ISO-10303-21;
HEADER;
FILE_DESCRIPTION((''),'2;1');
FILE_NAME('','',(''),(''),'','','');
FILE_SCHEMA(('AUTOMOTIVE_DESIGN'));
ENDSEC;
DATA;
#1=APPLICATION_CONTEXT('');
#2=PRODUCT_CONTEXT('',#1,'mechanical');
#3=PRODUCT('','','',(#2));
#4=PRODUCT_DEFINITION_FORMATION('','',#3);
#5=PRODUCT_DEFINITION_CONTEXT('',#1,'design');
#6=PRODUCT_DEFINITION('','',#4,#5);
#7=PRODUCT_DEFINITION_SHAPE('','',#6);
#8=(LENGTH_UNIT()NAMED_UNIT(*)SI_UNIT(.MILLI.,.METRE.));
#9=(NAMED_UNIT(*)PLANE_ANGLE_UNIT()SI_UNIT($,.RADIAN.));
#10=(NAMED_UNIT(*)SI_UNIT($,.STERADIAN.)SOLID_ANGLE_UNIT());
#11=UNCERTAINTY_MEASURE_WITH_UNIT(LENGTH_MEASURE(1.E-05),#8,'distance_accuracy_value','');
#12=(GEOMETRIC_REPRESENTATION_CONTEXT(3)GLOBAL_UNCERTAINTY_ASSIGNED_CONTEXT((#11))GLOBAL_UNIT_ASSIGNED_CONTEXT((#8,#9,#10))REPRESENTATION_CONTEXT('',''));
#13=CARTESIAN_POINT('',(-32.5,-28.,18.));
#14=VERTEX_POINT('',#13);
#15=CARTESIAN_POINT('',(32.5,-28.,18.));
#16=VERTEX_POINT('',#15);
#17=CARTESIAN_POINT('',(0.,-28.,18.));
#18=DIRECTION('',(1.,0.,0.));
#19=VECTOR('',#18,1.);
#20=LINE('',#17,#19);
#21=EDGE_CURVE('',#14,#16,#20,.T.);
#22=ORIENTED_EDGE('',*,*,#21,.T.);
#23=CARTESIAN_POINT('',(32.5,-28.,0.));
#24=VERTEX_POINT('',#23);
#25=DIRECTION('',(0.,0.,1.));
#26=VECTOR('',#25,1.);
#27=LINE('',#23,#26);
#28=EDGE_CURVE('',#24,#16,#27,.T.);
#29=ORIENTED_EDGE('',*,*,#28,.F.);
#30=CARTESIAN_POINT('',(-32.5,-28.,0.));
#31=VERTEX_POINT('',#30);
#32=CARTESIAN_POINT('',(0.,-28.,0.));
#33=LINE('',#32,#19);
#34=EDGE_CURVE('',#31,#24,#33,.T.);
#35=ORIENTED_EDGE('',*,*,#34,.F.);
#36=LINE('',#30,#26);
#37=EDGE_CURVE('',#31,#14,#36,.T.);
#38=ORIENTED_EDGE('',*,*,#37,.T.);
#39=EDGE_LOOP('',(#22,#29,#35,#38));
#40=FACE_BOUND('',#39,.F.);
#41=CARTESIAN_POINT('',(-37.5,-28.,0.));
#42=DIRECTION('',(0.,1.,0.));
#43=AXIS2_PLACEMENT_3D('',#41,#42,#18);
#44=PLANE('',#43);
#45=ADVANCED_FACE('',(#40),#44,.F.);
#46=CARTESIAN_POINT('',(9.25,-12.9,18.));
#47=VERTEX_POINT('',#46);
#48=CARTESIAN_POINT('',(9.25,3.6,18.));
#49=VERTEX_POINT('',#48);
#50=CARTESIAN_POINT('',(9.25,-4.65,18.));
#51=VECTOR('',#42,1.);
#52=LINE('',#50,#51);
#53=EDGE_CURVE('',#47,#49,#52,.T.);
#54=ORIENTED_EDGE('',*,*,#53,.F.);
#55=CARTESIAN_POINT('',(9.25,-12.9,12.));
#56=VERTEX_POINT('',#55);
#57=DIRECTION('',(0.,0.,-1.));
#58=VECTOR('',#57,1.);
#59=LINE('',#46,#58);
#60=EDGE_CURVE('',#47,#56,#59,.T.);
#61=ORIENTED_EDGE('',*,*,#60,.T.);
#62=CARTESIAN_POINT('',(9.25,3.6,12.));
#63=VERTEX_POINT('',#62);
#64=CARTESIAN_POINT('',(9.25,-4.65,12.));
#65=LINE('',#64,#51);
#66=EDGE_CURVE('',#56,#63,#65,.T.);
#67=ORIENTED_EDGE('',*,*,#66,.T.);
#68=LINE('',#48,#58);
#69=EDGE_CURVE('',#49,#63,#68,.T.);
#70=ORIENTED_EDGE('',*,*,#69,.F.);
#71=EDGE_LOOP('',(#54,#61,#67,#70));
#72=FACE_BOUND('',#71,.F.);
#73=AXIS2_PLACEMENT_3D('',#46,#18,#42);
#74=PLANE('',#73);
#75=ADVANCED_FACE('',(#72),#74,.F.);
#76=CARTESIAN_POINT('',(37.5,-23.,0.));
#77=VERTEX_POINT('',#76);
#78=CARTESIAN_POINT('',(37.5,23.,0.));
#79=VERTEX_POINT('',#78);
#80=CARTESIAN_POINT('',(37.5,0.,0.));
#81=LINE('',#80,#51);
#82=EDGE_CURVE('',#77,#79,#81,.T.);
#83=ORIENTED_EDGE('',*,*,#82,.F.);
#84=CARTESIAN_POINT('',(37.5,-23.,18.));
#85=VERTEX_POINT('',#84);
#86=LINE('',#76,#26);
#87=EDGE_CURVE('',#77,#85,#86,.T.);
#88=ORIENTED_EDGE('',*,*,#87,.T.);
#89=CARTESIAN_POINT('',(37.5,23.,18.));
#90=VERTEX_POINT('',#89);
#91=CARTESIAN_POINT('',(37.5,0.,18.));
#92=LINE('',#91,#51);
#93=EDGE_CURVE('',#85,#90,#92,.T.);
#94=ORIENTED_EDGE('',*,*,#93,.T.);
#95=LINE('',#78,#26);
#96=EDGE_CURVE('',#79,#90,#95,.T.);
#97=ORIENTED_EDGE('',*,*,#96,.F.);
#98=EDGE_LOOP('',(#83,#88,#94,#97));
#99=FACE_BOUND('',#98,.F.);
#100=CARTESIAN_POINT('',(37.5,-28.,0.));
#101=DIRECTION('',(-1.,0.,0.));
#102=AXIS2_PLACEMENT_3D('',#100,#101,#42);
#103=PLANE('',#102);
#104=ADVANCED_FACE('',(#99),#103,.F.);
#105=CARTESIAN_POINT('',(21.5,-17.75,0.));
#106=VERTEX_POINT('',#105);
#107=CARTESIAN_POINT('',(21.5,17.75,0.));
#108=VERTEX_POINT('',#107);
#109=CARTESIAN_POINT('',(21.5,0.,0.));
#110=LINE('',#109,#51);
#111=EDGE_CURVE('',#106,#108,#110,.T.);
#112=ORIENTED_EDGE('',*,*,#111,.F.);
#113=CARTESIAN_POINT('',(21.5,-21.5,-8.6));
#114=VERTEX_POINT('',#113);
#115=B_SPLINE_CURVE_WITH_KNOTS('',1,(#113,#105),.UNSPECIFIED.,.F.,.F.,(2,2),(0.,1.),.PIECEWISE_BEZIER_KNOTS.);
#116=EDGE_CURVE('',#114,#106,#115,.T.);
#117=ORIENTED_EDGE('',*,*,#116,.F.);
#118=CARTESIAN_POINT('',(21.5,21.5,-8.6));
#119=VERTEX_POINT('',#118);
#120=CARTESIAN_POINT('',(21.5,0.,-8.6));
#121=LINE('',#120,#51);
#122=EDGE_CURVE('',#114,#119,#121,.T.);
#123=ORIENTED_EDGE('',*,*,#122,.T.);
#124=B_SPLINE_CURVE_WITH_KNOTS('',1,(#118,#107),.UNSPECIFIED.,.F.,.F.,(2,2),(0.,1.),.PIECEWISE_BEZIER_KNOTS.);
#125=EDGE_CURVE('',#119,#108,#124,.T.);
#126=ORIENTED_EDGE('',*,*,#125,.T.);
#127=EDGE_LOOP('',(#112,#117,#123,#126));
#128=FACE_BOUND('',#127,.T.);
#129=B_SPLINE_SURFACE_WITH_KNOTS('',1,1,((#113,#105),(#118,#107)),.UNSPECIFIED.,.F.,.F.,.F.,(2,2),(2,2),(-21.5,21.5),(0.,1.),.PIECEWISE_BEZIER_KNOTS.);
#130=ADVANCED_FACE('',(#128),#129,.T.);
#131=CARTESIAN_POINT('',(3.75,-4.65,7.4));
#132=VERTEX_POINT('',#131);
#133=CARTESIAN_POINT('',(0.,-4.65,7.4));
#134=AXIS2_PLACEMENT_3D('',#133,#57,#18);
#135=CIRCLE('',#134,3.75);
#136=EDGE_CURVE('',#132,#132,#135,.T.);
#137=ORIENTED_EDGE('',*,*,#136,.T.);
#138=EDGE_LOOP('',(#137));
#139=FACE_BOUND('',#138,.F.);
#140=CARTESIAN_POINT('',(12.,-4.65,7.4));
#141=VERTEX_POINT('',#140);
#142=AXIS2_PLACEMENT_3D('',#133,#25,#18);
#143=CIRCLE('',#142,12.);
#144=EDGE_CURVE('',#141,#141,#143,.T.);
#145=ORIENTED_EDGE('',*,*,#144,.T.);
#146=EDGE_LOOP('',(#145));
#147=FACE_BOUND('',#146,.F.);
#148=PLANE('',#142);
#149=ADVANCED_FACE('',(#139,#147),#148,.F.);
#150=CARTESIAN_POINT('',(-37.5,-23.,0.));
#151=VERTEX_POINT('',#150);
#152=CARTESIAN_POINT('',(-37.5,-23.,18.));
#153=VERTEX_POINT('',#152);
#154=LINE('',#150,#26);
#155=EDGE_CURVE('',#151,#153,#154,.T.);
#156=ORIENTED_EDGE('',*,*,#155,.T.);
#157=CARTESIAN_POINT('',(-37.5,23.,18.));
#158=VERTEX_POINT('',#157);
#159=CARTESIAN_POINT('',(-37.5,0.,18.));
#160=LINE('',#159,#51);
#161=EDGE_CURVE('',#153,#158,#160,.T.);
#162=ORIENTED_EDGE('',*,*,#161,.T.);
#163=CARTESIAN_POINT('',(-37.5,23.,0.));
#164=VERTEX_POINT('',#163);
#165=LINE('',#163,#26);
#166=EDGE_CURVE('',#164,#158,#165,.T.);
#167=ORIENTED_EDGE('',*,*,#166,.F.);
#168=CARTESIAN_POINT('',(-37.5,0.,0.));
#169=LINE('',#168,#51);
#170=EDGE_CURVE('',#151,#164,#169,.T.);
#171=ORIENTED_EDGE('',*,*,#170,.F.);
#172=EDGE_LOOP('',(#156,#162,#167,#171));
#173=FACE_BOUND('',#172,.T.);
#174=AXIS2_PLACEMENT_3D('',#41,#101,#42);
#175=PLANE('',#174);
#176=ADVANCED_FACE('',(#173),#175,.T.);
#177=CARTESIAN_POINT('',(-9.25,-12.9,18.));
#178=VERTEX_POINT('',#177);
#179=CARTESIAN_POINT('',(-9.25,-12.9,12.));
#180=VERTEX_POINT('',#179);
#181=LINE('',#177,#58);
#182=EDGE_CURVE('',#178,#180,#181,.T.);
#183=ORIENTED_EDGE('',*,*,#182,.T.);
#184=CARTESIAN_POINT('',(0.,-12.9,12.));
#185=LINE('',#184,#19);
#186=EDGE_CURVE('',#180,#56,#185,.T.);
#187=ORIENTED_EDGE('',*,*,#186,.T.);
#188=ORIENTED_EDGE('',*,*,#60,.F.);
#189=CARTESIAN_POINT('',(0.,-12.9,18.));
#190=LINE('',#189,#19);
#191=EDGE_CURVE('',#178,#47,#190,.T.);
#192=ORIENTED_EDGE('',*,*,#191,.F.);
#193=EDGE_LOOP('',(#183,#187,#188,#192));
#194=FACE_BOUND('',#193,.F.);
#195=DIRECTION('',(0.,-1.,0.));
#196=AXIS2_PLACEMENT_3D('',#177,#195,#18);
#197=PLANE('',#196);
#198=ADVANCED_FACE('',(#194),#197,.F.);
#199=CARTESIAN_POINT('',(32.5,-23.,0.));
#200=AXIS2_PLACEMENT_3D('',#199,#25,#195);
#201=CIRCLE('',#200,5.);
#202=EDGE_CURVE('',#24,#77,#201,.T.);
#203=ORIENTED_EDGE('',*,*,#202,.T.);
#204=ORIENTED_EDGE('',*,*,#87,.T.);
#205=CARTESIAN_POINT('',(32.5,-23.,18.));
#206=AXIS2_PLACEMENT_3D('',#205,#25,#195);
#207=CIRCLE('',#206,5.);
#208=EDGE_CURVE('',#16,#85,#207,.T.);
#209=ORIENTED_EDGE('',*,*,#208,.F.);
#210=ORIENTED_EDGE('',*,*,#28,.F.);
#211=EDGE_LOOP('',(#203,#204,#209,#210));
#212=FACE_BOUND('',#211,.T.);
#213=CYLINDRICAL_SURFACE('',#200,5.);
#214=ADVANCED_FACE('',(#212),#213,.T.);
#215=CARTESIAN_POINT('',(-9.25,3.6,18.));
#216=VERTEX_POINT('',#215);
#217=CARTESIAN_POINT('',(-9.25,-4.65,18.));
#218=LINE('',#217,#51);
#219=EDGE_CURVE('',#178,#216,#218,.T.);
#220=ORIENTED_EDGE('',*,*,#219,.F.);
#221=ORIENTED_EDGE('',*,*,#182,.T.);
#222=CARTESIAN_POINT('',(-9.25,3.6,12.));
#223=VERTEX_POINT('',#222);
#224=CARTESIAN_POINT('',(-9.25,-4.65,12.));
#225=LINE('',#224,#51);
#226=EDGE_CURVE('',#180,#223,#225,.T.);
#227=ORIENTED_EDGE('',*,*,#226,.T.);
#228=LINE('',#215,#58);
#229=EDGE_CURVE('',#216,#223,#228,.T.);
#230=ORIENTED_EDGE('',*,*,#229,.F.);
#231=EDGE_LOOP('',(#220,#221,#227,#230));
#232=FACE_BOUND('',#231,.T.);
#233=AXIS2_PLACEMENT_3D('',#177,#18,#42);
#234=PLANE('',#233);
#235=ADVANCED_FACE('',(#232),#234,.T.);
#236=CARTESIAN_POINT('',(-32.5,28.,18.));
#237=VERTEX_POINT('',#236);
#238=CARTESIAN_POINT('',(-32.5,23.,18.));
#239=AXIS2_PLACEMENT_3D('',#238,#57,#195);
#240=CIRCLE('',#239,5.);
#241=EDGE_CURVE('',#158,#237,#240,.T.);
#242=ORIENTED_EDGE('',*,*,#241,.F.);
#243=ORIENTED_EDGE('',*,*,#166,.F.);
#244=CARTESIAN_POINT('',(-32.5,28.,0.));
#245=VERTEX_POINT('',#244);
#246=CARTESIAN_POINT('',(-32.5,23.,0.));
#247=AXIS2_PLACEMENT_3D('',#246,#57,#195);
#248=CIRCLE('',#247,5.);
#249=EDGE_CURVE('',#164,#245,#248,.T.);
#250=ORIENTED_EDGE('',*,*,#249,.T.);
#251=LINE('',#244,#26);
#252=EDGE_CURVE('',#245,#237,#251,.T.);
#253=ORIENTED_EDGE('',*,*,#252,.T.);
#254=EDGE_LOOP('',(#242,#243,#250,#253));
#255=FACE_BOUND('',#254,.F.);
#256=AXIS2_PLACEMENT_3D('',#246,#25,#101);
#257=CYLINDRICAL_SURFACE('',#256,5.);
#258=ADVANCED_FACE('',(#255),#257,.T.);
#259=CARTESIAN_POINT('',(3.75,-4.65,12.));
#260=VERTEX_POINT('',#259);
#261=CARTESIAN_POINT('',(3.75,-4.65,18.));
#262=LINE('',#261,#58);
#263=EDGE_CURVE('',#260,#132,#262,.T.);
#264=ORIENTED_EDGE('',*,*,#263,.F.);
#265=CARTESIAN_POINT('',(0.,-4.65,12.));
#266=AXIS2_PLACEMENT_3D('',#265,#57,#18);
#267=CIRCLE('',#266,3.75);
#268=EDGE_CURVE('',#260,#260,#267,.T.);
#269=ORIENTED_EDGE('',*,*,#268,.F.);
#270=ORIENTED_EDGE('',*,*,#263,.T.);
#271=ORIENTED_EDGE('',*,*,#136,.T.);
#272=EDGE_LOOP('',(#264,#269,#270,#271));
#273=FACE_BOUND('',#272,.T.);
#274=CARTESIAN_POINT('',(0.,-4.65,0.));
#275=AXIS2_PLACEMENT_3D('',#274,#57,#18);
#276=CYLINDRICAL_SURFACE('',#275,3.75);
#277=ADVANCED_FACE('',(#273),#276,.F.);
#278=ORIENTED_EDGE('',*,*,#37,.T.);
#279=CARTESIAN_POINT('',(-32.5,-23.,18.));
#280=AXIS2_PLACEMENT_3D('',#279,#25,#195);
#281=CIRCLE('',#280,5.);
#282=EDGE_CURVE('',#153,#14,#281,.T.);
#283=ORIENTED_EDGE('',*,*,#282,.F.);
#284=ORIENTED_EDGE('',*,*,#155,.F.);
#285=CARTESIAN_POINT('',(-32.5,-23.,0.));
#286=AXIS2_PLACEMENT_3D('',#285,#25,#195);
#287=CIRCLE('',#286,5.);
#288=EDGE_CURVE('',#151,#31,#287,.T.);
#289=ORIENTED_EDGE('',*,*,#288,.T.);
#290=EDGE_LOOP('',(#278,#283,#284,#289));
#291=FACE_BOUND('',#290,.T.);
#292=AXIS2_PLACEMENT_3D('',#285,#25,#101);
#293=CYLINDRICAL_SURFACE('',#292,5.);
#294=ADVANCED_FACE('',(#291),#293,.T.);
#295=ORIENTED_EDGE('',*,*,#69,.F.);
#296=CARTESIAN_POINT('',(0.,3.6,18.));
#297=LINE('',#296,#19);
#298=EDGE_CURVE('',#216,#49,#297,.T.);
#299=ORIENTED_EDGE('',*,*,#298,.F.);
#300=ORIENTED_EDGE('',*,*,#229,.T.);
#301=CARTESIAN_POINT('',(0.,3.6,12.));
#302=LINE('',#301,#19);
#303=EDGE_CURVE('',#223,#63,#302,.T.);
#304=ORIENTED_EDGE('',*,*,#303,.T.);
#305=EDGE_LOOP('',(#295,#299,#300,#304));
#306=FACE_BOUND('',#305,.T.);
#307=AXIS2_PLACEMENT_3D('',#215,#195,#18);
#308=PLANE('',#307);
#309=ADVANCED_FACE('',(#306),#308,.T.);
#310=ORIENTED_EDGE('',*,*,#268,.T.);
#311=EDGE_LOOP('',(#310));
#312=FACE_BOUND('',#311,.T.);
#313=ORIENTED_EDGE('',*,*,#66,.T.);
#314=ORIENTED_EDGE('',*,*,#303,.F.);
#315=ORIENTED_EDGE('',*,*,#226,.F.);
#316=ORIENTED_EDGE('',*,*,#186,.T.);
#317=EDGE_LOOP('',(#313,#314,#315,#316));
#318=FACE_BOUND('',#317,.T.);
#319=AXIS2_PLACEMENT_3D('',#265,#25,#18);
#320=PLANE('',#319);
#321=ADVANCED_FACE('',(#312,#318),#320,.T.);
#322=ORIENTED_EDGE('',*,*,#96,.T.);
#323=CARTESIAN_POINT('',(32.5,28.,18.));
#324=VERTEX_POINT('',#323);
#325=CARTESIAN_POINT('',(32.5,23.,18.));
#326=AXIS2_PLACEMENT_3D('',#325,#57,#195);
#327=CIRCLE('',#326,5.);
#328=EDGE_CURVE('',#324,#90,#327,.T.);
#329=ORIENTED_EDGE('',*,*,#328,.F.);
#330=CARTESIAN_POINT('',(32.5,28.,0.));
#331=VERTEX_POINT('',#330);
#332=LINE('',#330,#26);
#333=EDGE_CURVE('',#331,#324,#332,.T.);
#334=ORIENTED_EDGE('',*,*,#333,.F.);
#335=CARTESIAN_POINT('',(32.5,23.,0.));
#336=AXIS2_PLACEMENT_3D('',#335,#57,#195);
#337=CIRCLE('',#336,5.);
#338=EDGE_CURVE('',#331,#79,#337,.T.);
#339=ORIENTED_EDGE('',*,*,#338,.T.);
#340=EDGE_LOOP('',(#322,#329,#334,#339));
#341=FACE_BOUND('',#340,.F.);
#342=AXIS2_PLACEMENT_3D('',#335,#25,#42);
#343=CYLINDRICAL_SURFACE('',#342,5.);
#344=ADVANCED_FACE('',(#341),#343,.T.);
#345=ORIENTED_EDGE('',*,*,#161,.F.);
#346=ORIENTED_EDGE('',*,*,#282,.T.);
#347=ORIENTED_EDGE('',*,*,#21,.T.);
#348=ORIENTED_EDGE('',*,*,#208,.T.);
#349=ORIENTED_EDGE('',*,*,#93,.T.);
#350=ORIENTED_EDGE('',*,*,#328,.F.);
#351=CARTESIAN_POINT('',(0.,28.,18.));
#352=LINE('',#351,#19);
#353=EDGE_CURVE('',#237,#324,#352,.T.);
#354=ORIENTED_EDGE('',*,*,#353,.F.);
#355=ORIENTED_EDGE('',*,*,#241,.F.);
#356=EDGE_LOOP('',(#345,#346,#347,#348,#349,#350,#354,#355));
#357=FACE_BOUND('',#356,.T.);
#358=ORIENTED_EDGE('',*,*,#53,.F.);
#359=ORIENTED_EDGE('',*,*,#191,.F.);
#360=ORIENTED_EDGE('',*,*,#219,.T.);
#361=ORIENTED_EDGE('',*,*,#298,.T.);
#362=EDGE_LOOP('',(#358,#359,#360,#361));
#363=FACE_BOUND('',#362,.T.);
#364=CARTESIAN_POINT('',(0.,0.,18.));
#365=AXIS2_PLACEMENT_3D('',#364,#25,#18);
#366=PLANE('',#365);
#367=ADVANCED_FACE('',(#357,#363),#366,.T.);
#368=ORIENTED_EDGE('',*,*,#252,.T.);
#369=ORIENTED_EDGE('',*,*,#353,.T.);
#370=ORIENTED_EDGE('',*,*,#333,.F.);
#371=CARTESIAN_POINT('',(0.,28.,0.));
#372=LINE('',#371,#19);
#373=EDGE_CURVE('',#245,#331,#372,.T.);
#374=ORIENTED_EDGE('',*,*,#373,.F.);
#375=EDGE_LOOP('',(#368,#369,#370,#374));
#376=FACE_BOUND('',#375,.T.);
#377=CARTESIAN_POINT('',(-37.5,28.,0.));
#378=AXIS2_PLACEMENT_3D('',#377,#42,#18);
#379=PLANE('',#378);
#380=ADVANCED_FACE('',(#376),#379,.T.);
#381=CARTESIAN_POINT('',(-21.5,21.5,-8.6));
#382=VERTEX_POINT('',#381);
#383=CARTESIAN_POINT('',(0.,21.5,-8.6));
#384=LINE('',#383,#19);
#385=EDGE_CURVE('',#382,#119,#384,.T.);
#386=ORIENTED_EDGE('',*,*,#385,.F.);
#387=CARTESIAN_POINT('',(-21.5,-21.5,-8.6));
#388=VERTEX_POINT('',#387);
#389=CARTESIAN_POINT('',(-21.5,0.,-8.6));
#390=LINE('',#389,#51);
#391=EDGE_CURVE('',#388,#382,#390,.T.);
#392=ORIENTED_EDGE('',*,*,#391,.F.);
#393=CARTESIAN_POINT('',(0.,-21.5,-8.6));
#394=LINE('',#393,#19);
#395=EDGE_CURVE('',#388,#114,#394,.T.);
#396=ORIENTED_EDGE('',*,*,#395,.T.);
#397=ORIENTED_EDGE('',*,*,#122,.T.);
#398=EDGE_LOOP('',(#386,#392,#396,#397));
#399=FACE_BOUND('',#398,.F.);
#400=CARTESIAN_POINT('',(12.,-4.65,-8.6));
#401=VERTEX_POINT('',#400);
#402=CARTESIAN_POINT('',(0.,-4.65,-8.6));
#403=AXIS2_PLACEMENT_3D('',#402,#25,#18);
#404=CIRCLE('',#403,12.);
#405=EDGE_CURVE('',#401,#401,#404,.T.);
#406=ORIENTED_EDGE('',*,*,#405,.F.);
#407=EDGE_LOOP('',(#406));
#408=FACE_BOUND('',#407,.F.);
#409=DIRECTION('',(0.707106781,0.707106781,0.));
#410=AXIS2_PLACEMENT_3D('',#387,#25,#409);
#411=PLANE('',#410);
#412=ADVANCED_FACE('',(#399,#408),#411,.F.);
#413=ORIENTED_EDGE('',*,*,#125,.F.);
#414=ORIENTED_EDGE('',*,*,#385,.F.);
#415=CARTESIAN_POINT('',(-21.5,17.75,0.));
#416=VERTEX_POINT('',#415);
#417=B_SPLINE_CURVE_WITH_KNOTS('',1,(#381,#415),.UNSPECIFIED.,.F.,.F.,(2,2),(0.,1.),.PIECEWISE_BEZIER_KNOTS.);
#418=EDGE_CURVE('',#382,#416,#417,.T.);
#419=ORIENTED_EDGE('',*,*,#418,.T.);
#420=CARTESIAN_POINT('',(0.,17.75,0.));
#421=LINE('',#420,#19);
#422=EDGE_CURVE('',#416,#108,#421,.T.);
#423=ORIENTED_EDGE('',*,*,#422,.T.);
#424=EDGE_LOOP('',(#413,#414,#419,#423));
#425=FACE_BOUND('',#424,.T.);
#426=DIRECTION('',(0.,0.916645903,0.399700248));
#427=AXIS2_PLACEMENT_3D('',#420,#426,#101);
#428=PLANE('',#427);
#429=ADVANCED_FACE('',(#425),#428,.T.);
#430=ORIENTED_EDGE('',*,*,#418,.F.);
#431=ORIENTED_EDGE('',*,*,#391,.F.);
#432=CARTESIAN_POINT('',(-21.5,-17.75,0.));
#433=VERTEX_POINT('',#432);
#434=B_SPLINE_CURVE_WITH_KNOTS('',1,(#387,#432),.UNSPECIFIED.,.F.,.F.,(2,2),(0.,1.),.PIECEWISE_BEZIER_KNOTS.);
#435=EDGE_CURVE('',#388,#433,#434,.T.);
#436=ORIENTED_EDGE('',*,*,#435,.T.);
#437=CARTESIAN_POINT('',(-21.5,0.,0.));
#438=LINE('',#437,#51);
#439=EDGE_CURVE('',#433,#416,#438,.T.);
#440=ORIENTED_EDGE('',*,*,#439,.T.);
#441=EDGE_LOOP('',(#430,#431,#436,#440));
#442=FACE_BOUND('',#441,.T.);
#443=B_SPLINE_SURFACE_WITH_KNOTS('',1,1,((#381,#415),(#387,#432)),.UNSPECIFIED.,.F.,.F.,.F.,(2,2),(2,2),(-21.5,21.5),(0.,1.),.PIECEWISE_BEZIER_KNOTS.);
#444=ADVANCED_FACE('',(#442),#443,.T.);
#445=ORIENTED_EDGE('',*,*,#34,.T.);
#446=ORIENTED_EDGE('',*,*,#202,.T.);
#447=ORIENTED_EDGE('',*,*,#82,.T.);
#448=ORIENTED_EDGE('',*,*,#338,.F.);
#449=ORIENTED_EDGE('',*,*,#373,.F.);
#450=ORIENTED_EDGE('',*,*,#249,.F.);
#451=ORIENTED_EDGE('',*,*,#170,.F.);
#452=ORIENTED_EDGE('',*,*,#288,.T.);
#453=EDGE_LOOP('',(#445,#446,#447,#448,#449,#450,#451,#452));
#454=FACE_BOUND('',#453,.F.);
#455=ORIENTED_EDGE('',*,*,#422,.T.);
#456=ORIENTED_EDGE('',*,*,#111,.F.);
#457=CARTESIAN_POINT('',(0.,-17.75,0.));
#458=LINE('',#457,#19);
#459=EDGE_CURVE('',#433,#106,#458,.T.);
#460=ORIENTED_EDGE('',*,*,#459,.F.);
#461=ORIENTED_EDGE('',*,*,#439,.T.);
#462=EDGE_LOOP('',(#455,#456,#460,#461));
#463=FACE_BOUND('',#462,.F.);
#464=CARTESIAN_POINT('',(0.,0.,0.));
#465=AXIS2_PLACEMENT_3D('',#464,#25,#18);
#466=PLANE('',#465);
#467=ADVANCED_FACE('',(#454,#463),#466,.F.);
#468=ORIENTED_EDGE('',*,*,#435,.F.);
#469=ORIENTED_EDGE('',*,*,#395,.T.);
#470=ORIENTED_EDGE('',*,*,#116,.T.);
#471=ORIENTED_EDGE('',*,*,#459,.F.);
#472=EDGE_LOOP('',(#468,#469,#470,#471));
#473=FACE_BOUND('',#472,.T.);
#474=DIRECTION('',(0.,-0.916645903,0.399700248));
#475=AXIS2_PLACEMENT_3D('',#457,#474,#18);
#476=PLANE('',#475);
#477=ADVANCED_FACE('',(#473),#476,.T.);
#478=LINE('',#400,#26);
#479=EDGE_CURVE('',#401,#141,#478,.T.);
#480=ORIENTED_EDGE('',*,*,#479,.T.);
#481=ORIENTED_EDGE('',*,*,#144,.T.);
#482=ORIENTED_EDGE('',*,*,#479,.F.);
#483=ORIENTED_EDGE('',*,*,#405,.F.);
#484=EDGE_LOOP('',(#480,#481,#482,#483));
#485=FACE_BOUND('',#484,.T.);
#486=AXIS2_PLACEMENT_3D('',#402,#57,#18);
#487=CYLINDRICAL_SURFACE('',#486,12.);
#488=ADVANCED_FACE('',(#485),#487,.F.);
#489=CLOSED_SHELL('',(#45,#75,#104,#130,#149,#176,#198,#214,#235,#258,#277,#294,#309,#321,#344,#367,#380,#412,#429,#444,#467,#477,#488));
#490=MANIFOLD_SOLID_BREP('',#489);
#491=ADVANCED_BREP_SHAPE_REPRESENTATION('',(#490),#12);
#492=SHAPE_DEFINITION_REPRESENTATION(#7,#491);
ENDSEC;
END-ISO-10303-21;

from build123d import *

# Parameters (mm, degrees)
F3_W           = 43
F3_H           = 43
F4_W           = 43
F4_H           = 35.5
F6_W           = 75
F6_H           = 56
F7_DEPTH       = 18
F8_R           = 5
F9_R           = 3.75
F10_DEPTH      = 8.6
F10_DEPTH_BACK = 18
F11_R          = 12
F12_DEPTH      = 16
F13_W          = 18.5
F13_H          = 16.5
F14_DEPTH      = 6


with BuildPart() as f5:
    # F3 (on offset) → F5 section 0
    with BuildSketch(Plane.XY.offset(-8.6)):
        Rectangle(F3_W, F3_H)
    # F4 (on Top) → F5 section 1
    with BuildSketch(Plane.XY):
        Rectangle(F4_W, F4_H)
    loft()

    # F6 (on Top) → F7 (join)
    with BuildSketch(Plane.XY):
        Rectangle(F6_W, F6_H)
    extrude(amount=F7_DEPTH)

    # F8
    f8_edges = [f5.edges().sort_by_distance(p)[0] for p in [
        (-37.5, 28, 9),
        (37.5, 28, 9),
        (37.5, -28, 9),
        (-37.5, -28, 9),
    ]]
    fillet(f8_edges, radius=F8_R)

    # F9 (on Top) → F10 (cut, two sides)
    with BuildSketch(Plane.XY) as f10_sk:
        with Locations((0, -4.65)):
            Circle(F9_R)
    extrude(amount=-F10_DEPTH, mode=Mode.SUBTRACT)
    extrude(f10_sk.sketch, amount=F10_DEPTH_BACK, mode=Mode.SUBTRACT)

    # F11 (on offset) → F12 (cut)
    with BuildSketch(Plane.XY.offset(-8.6)):
        with Locations((0, -4.65)):
            Circle(F11_R)
    extrude(amount=F12_DEPTH, mode=Mode.SUBTRACT)

    # F13 (on face) → F14 (cut)
    with BuildSketch(Plane.XY.offset(18)):
        with Locations((0, -4.65)):
            Rectangle(F13_W, F13_H)
    extrude(amount=-F14_DEPTH, mode=Mode.SUBTRACT)


solid = f5.part
